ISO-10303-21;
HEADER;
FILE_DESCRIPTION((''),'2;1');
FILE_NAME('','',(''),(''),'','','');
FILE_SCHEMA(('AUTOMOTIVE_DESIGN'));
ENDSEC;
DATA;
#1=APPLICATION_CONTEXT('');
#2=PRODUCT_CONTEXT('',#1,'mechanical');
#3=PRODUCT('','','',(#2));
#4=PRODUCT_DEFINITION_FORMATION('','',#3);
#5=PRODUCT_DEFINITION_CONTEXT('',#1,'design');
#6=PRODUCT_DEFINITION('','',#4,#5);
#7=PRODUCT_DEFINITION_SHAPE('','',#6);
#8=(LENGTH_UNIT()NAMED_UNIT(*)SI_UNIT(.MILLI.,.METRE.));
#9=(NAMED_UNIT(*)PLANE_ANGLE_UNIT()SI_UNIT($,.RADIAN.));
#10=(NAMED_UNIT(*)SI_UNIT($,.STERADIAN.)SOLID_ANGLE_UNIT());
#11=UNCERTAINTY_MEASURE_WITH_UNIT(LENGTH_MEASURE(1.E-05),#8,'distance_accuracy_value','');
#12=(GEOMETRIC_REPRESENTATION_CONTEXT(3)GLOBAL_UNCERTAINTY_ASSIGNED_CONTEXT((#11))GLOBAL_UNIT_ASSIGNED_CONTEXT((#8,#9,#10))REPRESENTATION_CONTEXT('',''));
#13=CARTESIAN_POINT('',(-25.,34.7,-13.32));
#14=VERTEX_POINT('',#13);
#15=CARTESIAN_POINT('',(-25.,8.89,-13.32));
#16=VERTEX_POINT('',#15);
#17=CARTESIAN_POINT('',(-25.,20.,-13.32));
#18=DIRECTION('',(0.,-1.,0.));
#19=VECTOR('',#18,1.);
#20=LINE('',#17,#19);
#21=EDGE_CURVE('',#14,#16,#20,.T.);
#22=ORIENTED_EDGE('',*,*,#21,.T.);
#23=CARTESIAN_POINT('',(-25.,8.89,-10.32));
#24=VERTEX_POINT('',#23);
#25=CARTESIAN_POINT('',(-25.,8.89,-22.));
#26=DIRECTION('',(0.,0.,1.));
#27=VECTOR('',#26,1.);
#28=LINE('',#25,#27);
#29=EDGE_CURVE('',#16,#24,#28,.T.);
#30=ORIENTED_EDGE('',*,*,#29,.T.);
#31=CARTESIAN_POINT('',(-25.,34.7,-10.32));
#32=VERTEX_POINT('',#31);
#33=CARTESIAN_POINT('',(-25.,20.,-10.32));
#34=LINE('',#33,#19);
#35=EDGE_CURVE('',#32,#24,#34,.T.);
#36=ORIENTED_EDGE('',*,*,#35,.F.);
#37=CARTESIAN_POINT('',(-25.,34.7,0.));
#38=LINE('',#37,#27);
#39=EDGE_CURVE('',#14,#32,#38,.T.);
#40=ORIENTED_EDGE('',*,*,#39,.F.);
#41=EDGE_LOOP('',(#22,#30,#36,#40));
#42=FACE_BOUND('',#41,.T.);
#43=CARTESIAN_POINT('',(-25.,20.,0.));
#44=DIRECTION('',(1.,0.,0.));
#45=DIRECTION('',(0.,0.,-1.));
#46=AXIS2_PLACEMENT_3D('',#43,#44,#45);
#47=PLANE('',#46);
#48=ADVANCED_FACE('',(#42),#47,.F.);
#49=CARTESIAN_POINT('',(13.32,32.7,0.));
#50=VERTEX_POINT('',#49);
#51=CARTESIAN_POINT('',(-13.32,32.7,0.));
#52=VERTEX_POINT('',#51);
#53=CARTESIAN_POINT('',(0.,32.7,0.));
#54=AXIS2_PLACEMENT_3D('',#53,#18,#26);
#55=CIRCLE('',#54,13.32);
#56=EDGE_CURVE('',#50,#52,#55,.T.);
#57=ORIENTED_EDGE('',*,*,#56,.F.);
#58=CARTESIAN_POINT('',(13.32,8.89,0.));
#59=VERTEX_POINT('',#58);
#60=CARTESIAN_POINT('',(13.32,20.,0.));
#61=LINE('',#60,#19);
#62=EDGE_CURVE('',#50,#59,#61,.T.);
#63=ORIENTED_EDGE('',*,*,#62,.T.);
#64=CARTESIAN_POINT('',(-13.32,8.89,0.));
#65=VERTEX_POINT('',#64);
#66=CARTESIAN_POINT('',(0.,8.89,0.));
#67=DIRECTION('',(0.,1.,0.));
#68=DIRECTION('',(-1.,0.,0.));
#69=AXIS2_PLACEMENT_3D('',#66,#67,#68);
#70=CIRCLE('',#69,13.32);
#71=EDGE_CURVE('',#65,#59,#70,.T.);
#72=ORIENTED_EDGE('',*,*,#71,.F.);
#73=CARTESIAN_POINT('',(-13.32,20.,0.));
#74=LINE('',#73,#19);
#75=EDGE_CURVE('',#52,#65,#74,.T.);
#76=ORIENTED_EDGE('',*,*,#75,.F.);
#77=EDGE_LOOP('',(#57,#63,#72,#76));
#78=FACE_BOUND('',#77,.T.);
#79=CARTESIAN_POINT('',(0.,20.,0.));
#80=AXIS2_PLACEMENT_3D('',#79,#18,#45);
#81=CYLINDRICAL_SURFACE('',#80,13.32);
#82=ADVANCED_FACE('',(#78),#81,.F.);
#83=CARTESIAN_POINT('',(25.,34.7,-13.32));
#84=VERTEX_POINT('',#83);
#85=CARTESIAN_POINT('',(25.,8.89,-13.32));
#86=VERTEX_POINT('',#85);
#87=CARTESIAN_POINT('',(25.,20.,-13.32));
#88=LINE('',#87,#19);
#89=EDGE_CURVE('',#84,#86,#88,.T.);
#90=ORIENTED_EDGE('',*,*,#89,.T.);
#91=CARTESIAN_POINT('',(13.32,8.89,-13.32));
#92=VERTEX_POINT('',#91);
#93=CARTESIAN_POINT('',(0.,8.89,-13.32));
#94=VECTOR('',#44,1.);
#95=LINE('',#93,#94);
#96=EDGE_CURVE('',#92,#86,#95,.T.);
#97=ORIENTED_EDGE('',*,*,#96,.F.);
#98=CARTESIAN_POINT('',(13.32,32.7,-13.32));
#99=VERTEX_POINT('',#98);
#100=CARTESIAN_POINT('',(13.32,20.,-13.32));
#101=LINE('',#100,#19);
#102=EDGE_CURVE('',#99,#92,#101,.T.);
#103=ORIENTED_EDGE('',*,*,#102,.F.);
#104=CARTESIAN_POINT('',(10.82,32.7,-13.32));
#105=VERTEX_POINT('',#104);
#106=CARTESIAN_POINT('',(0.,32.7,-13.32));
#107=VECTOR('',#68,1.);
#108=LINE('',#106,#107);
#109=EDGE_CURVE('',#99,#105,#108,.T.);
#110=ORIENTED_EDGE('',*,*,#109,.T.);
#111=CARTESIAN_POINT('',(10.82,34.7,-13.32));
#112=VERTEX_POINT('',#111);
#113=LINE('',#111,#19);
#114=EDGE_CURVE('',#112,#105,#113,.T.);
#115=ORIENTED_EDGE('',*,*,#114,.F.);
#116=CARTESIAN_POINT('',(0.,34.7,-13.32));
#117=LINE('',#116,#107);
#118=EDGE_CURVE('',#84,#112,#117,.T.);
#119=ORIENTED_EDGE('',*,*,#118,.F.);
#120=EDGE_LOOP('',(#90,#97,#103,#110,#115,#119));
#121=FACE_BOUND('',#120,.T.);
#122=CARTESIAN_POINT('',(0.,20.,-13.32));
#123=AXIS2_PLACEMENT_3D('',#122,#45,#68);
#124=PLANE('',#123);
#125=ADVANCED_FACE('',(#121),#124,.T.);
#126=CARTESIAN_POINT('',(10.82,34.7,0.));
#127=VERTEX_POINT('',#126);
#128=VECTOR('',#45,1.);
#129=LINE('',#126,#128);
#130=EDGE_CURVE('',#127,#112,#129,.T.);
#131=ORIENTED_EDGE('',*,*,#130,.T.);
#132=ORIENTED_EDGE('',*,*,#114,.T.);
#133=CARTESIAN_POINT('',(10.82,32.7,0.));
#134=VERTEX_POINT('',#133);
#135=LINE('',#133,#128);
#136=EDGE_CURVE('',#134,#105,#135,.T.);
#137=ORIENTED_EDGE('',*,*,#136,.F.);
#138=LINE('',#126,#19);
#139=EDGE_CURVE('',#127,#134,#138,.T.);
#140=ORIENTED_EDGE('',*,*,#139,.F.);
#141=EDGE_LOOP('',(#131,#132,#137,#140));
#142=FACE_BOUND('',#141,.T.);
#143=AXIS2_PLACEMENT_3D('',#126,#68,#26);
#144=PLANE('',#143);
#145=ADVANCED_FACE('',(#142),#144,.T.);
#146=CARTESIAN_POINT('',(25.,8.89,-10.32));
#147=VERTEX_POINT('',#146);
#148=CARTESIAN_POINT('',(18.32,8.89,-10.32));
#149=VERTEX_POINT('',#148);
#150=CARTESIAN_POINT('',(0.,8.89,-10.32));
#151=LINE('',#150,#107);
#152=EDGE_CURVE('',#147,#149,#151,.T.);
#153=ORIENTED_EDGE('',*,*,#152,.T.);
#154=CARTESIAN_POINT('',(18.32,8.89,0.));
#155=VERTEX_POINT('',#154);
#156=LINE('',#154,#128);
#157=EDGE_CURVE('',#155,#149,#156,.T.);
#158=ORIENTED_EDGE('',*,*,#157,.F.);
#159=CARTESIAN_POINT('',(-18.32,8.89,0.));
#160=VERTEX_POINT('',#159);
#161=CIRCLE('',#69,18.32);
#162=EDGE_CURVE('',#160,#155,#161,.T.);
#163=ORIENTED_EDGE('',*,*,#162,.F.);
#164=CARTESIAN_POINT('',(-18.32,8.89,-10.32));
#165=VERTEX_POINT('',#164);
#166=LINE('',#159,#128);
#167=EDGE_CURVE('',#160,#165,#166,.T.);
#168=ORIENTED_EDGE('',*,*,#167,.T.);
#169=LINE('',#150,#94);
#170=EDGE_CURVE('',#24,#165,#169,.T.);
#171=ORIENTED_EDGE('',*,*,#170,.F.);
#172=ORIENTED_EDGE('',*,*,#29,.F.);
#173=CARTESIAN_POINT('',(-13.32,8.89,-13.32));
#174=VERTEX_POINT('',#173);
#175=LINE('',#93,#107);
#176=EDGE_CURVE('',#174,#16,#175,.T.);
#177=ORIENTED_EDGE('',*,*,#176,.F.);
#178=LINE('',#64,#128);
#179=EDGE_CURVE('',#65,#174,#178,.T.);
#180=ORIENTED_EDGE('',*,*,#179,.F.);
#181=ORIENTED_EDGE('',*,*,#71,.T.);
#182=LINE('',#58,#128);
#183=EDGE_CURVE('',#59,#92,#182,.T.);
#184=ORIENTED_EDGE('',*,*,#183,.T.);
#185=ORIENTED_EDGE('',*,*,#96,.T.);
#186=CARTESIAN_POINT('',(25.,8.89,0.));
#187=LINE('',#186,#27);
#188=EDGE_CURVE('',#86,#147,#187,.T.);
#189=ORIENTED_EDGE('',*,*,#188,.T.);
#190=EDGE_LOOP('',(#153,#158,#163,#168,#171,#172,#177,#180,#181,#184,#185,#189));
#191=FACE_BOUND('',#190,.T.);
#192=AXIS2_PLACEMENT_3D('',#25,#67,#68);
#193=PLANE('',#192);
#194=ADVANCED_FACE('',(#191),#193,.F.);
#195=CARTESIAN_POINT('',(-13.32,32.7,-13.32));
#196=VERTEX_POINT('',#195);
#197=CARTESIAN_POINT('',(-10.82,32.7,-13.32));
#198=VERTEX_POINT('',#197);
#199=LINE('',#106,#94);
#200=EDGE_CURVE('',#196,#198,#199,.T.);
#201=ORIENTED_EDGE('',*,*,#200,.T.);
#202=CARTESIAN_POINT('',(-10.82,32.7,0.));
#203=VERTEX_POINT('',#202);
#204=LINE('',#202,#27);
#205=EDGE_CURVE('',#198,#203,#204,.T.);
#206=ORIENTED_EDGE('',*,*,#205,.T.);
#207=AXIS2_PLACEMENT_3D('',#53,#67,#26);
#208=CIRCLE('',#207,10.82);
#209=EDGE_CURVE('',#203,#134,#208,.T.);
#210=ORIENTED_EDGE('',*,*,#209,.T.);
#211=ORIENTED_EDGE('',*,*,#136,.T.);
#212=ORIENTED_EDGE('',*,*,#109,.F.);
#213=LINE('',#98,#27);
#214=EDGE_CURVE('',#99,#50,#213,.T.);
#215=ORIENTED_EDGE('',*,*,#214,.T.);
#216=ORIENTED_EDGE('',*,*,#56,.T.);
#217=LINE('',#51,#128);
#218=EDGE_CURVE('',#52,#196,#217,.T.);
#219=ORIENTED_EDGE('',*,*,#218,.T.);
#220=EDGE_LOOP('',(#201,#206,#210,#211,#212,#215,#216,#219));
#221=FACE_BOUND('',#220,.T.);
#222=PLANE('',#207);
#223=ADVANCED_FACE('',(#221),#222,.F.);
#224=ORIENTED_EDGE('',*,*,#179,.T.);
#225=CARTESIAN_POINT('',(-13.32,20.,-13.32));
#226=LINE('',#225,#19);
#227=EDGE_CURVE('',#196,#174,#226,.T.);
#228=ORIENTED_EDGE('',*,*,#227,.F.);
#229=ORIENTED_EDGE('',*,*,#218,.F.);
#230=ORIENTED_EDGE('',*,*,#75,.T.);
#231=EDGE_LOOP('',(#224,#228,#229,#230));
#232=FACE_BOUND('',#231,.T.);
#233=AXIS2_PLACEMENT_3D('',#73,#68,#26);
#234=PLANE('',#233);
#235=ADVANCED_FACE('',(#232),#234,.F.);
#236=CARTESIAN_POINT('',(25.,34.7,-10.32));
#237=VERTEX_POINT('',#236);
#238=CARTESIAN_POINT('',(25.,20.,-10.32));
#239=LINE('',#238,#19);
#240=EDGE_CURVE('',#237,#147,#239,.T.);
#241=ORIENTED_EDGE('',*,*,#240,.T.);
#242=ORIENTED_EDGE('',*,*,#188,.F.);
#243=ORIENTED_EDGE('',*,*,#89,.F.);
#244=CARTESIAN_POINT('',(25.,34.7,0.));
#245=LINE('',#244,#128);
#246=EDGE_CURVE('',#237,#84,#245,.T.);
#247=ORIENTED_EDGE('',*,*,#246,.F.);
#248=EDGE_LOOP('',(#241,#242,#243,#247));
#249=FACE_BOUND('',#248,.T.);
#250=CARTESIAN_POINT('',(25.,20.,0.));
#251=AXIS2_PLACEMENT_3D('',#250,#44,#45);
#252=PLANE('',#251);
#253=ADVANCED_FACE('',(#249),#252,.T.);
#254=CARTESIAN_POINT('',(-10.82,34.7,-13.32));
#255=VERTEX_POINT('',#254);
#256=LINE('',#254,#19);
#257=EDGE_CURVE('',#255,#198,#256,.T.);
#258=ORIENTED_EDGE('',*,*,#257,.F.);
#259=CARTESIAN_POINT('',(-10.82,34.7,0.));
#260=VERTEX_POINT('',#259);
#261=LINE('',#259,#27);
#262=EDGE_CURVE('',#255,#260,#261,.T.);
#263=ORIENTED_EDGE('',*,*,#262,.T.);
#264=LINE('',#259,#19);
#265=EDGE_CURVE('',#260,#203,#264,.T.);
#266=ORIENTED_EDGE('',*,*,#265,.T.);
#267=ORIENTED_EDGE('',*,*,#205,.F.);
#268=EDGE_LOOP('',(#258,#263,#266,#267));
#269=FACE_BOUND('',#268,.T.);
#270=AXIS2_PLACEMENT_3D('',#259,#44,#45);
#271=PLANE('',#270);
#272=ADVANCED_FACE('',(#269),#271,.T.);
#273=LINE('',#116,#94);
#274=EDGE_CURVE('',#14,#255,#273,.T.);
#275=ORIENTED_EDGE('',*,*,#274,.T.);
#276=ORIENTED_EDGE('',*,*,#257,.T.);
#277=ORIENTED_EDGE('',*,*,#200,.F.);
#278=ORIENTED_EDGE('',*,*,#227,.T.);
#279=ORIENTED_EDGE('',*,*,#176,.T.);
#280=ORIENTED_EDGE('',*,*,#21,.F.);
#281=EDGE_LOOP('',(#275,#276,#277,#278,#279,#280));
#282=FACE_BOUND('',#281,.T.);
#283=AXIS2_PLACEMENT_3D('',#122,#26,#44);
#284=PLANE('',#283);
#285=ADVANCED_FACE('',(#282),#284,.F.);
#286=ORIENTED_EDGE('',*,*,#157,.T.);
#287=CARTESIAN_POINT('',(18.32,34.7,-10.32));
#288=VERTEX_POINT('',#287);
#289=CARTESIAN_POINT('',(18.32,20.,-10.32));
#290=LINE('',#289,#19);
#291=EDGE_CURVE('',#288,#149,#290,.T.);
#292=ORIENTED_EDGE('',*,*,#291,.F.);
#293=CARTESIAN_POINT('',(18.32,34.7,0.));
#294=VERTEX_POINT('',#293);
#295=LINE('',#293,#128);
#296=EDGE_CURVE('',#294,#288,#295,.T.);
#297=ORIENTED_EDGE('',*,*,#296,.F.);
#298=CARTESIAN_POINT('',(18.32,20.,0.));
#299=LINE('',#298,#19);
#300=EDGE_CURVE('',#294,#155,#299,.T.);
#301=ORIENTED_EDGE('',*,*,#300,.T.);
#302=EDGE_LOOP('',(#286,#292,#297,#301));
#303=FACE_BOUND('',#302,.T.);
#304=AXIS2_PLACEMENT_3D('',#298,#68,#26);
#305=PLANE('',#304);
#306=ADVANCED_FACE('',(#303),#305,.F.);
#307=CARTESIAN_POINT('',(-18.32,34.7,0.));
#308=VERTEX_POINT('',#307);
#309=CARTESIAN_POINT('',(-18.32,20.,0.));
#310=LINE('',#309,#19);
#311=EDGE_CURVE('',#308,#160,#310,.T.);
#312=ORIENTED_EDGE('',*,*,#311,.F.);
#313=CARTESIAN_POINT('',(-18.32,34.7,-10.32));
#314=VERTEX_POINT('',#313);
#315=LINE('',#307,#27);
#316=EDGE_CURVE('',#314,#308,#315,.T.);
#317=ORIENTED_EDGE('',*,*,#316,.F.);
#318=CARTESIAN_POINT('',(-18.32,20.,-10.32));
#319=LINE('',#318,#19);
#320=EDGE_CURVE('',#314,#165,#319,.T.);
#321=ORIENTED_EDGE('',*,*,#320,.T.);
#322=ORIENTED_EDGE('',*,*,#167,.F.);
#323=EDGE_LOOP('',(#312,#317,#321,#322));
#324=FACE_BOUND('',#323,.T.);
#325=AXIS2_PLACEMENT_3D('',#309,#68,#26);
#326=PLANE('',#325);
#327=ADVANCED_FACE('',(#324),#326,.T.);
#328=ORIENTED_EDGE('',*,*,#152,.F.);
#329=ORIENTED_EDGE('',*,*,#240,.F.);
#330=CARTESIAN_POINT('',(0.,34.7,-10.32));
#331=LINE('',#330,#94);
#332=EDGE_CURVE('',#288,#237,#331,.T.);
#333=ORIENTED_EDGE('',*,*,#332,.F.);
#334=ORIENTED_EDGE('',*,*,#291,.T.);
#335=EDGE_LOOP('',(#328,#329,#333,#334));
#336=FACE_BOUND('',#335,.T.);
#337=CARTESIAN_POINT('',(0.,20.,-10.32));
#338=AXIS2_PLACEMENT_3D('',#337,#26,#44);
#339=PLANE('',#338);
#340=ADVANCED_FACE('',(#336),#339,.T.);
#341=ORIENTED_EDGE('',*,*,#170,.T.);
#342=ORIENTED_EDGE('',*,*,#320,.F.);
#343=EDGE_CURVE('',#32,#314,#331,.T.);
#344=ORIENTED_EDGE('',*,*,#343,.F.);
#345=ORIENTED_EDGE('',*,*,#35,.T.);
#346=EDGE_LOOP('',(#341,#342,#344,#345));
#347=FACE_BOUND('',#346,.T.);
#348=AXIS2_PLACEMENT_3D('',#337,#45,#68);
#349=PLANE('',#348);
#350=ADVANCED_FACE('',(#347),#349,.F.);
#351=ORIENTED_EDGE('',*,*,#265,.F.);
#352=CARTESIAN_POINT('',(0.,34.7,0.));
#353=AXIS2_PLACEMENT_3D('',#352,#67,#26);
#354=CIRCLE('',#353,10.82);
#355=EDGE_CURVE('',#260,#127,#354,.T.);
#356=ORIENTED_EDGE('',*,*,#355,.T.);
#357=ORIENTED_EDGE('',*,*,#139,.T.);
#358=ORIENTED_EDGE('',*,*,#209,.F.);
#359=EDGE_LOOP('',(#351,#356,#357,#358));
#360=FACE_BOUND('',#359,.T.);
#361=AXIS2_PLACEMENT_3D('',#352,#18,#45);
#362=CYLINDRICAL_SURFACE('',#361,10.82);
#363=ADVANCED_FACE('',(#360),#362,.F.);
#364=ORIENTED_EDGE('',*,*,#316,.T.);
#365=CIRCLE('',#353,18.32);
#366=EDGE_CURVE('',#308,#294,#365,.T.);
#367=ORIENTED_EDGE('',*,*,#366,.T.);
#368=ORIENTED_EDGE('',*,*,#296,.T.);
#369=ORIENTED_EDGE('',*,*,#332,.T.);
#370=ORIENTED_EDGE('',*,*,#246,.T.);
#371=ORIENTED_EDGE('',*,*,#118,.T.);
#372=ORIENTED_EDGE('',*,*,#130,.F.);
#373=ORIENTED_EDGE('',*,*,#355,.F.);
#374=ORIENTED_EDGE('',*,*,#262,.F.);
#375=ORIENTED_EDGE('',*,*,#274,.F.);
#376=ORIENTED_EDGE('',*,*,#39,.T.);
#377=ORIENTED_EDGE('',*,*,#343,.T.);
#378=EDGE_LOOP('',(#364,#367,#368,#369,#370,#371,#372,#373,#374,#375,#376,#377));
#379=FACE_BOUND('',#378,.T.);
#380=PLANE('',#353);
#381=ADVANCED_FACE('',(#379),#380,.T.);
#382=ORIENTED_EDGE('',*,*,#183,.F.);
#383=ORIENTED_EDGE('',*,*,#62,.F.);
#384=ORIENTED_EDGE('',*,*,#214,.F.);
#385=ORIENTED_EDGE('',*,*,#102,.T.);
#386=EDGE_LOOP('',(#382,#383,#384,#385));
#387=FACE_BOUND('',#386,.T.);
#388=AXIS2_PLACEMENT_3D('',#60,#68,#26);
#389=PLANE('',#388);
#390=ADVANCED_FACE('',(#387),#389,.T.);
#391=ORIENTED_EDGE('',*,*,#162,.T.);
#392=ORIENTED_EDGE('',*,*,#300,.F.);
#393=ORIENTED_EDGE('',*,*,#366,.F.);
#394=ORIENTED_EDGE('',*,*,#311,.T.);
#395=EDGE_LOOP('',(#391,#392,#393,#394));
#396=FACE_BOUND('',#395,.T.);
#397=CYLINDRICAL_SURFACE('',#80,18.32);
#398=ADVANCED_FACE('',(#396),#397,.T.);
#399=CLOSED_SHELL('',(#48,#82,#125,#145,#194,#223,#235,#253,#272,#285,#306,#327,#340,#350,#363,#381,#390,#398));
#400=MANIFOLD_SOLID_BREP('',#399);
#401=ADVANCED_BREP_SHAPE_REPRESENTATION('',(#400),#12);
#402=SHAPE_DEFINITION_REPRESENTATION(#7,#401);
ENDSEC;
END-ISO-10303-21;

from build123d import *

# Parameters (mm, degrees)
BOSS_EXTRUDE1_DEPTH = 20
BOSS_EXTRUDE2_DEPTH = 12.7
BOSS_EXTRUDE3_DEPTH = 2
SKETCH4_W           = 52.357488091
SKETCH4_H           = 8.89
CUT_EXTRUDE1_DEPTH  = 22


with BuildPart() as part:
    # Sketch1 → Boss-Extrude1 (new body)
    with BuildSketch(Plane(origin=(0, 0, 0), x_dir=(1, 0, 0), z_dir=(0, 1, 0))):
        with BuildLine():
            Line((-18.32, 0), (-18.32, 2.075569274))
            Line((-18.32, 2.075569274), (-18.32, 10.32))
            Line((-18.32, 10.32), (-25, 10.32))
            Line((-25, 10.32), (-25, 13.32))
            Line((-25, 13.32), (-13.32, 13.32))
            Line((-13.32, 13.32), (-13.32, 0))
            ThreePointArc((-13.32, 0), (0, -13.32), (13.32, 0))
            Line((13.32, 0), (13.32, 13.32))
            Line((13.32, 13.32), (25, 13.32))
            Line((25, 13.32), (25, 10.32))
            Line((25, 10.32), (18.32, 10.32))
            Line((18.32, 10.32), (18.32, 1.685292353))
            Line((18.32, 1.685292353), (18.32, 0))
            ThreePointArc((18.32, 0), (0, -18.32), (-18.32, 0))
        make_face()
    extrude(amount=BOSS_EXTRUDE1_DEPTH)

    # Sketch2 → Boss-Extrude2 (add)
    with BuildSketch(Plane(origin=(0, 20, 0), x_dir=(1, 0, 0), z_dir=(0, 1, 0))):
        with BuildLine():
            Line((-18.32, 10.32), (-18.32, 0))
            ThreePointArc((-18.32, 0), (0, -18.32), (18.32, 0))
            Line((18.32, 0), (18.32, 10.32))
            Line((18.32, 10.32), (25, 10.32))
            Line((25, 10.32), (25, 13.32))
            Line((25, 13.32), (13.32, 13.32))
            Line((13.32, 13.32), (13.32, 0))
            ThreePointArc((13.32, 0), (0, -13.32), (-13.32, 0))
            Line((-13.32, 0), (-13.32, 13.32))
            Line((-13.32, 13.32), (-25, 13.32))
            Line((-25, 13.32), (-25, 10.32))
            Line((-25, 10.32), (-18.32, 10.32))
        make_face()
    extrude(amount=BOSS_EXTRUDE2_DEPTH)

    # Sketch3 → Boss-Extrude3 (add)
    with BuildSketch(Plane(origin=(0, 32.7, 0), x_dir=(1, 0, 0), z_dir=(0, 1, 0))):
        with BuildLine():
            Line((-10.82, 13.32), (-13.32, 13.32))
            Line((-13.32, 13.32), (-13.32, 0))
            ThreePointArc((-13.32, 0), (0, -13.32), (13.32, 0))
            Line((13.32, 0), (13.32, 13.32))
            Line((13.32, 13.32), (10.82, 13.32))
            Line((10.82, 13.32), (10.82, 0))
            ThreePointArc((10.82, 0), (0, -10.82), (-10.82, 0))
            Line((-10.82, 0), (-10.82, 13.32))
        make_face()
        with BuildLine():
            Line((-25, 13.32), (-25, 10.32))
            Line((-25, 10.32), (-18.32, 10.32))
            Line((-18.32, 10.32), (-18.32, 0))
            ThreePointArc((-18.32, 0), (0, -18.32), (18.32, 0))
            Line((18.32, 0), (18.32, 10.32))
            Line((18.32, 10.32), (25, 10.32))
            Line((25, 10.32), (25, 13.32))
            Line((25, 13.32), (13.32, 13.32))
            Line((13.32, 13.32), (13.32, 0))
            ThreePointArc((13.32, 0), (0, -13.32), (-13.32, 0))
            Line((-13.32, 0), (-13.32, 13.32))
            Line((-13.32, 13.32), (-25, 13.32))
        make_face()
    extrude(amount=BOSS_EXTRUDE3_DEPTH)

    # Sketch4 → Cut-Extrude1 (cut, symmetric)
    with BuildSketch(Plane.XY):
        with Locations((1.178744046, 4.445)):
            Rectangle(SKETCH4_W, SKETCH4_H)
    extrude(amount=CUT_EXTRUDE1_DEPTH, both=True, mode=Mode.SUBTRACT)


solid = part.part
